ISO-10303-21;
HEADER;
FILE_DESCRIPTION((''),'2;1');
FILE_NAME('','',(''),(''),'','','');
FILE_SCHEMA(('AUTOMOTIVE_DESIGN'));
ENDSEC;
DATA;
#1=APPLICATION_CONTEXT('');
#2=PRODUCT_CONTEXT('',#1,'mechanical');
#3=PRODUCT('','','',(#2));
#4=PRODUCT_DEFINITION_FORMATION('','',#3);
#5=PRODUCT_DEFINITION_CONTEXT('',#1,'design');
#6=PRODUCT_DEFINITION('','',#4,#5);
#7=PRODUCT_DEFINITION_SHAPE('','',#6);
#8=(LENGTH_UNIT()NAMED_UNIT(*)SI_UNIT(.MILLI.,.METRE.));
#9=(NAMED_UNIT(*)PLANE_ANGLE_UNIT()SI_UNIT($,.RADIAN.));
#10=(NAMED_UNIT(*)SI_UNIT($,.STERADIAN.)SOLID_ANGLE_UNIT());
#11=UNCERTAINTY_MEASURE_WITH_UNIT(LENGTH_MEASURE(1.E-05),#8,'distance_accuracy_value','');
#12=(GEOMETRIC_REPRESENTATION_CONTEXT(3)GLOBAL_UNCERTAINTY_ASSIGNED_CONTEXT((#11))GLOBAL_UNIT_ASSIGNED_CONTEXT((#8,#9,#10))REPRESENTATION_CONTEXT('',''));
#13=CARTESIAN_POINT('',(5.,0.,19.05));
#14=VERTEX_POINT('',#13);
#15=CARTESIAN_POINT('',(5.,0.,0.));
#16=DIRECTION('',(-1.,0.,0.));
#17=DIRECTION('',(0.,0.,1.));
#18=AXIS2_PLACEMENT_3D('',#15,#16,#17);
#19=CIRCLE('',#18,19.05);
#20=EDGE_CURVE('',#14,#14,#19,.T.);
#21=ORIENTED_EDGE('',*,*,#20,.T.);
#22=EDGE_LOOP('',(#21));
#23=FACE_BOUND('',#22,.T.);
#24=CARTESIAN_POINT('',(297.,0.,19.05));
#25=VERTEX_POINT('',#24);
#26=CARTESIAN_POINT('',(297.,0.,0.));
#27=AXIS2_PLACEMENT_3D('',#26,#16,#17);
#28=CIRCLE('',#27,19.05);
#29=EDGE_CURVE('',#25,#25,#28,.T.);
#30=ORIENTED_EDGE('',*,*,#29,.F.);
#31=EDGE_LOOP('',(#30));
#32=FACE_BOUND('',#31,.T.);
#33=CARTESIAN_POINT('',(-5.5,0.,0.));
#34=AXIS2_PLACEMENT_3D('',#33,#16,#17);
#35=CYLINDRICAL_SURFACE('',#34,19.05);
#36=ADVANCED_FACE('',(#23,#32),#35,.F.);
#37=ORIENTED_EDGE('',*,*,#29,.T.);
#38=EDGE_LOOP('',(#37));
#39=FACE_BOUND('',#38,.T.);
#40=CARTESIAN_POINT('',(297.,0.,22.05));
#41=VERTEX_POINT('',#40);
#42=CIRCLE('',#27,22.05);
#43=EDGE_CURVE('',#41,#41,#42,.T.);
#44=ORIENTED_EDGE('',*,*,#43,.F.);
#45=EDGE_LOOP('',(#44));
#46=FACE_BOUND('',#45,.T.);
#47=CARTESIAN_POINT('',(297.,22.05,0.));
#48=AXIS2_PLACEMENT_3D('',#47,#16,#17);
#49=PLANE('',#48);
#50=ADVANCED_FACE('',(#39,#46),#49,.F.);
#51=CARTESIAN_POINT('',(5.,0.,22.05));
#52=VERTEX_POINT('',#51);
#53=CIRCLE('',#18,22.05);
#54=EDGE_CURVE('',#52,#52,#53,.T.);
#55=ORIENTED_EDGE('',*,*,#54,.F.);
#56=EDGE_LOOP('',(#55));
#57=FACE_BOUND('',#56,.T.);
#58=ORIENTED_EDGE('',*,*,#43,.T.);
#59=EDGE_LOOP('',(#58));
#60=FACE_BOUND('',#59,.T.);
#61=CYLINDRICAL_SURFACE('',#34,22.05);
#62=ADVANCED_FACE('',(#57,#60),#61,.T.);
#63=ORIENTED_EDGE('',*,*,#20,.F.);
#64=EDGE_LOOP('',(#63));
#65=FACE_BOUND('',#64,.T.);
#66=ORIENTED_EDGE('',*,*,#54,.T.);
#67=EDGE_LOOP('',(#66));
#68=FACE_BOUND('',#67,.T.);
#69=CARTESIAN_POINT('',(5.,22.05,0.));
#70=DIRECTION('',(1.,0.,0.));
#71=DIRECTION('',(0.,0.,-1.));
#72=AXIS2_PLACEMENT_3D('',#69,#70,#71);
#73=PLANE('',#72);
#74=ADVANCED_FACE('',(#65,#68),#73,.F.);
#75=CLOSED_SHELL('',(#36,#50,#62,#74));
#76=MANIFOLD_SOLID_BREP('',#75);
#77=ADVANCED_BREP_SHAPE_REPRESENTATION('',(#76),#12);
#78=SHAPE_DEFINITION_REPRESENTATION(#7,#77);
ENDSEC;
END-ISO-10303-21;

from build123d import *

# Parameters (mm, degrees)
SKETCH1_W = 292
SKETCH1_H = 3


with BuildPart() as part:
    # Sketch1 → Revolve1 (revolve)
    with BuildSketch(Plane.XY, mode=Mode.PRIVATE) as revolve1_sk:
        with Locations((151, 20.55)):
            Rectangle(SKETCH1_W, SKETCH1_H)
    revolve(revolve1_sk.sketch.rotate(Axis((-5.5, 0, 0), (1, 0, 0)), 90), axis=Axis((-5.5, 0, 0), (1, 0, 0)))


solid = part.part
